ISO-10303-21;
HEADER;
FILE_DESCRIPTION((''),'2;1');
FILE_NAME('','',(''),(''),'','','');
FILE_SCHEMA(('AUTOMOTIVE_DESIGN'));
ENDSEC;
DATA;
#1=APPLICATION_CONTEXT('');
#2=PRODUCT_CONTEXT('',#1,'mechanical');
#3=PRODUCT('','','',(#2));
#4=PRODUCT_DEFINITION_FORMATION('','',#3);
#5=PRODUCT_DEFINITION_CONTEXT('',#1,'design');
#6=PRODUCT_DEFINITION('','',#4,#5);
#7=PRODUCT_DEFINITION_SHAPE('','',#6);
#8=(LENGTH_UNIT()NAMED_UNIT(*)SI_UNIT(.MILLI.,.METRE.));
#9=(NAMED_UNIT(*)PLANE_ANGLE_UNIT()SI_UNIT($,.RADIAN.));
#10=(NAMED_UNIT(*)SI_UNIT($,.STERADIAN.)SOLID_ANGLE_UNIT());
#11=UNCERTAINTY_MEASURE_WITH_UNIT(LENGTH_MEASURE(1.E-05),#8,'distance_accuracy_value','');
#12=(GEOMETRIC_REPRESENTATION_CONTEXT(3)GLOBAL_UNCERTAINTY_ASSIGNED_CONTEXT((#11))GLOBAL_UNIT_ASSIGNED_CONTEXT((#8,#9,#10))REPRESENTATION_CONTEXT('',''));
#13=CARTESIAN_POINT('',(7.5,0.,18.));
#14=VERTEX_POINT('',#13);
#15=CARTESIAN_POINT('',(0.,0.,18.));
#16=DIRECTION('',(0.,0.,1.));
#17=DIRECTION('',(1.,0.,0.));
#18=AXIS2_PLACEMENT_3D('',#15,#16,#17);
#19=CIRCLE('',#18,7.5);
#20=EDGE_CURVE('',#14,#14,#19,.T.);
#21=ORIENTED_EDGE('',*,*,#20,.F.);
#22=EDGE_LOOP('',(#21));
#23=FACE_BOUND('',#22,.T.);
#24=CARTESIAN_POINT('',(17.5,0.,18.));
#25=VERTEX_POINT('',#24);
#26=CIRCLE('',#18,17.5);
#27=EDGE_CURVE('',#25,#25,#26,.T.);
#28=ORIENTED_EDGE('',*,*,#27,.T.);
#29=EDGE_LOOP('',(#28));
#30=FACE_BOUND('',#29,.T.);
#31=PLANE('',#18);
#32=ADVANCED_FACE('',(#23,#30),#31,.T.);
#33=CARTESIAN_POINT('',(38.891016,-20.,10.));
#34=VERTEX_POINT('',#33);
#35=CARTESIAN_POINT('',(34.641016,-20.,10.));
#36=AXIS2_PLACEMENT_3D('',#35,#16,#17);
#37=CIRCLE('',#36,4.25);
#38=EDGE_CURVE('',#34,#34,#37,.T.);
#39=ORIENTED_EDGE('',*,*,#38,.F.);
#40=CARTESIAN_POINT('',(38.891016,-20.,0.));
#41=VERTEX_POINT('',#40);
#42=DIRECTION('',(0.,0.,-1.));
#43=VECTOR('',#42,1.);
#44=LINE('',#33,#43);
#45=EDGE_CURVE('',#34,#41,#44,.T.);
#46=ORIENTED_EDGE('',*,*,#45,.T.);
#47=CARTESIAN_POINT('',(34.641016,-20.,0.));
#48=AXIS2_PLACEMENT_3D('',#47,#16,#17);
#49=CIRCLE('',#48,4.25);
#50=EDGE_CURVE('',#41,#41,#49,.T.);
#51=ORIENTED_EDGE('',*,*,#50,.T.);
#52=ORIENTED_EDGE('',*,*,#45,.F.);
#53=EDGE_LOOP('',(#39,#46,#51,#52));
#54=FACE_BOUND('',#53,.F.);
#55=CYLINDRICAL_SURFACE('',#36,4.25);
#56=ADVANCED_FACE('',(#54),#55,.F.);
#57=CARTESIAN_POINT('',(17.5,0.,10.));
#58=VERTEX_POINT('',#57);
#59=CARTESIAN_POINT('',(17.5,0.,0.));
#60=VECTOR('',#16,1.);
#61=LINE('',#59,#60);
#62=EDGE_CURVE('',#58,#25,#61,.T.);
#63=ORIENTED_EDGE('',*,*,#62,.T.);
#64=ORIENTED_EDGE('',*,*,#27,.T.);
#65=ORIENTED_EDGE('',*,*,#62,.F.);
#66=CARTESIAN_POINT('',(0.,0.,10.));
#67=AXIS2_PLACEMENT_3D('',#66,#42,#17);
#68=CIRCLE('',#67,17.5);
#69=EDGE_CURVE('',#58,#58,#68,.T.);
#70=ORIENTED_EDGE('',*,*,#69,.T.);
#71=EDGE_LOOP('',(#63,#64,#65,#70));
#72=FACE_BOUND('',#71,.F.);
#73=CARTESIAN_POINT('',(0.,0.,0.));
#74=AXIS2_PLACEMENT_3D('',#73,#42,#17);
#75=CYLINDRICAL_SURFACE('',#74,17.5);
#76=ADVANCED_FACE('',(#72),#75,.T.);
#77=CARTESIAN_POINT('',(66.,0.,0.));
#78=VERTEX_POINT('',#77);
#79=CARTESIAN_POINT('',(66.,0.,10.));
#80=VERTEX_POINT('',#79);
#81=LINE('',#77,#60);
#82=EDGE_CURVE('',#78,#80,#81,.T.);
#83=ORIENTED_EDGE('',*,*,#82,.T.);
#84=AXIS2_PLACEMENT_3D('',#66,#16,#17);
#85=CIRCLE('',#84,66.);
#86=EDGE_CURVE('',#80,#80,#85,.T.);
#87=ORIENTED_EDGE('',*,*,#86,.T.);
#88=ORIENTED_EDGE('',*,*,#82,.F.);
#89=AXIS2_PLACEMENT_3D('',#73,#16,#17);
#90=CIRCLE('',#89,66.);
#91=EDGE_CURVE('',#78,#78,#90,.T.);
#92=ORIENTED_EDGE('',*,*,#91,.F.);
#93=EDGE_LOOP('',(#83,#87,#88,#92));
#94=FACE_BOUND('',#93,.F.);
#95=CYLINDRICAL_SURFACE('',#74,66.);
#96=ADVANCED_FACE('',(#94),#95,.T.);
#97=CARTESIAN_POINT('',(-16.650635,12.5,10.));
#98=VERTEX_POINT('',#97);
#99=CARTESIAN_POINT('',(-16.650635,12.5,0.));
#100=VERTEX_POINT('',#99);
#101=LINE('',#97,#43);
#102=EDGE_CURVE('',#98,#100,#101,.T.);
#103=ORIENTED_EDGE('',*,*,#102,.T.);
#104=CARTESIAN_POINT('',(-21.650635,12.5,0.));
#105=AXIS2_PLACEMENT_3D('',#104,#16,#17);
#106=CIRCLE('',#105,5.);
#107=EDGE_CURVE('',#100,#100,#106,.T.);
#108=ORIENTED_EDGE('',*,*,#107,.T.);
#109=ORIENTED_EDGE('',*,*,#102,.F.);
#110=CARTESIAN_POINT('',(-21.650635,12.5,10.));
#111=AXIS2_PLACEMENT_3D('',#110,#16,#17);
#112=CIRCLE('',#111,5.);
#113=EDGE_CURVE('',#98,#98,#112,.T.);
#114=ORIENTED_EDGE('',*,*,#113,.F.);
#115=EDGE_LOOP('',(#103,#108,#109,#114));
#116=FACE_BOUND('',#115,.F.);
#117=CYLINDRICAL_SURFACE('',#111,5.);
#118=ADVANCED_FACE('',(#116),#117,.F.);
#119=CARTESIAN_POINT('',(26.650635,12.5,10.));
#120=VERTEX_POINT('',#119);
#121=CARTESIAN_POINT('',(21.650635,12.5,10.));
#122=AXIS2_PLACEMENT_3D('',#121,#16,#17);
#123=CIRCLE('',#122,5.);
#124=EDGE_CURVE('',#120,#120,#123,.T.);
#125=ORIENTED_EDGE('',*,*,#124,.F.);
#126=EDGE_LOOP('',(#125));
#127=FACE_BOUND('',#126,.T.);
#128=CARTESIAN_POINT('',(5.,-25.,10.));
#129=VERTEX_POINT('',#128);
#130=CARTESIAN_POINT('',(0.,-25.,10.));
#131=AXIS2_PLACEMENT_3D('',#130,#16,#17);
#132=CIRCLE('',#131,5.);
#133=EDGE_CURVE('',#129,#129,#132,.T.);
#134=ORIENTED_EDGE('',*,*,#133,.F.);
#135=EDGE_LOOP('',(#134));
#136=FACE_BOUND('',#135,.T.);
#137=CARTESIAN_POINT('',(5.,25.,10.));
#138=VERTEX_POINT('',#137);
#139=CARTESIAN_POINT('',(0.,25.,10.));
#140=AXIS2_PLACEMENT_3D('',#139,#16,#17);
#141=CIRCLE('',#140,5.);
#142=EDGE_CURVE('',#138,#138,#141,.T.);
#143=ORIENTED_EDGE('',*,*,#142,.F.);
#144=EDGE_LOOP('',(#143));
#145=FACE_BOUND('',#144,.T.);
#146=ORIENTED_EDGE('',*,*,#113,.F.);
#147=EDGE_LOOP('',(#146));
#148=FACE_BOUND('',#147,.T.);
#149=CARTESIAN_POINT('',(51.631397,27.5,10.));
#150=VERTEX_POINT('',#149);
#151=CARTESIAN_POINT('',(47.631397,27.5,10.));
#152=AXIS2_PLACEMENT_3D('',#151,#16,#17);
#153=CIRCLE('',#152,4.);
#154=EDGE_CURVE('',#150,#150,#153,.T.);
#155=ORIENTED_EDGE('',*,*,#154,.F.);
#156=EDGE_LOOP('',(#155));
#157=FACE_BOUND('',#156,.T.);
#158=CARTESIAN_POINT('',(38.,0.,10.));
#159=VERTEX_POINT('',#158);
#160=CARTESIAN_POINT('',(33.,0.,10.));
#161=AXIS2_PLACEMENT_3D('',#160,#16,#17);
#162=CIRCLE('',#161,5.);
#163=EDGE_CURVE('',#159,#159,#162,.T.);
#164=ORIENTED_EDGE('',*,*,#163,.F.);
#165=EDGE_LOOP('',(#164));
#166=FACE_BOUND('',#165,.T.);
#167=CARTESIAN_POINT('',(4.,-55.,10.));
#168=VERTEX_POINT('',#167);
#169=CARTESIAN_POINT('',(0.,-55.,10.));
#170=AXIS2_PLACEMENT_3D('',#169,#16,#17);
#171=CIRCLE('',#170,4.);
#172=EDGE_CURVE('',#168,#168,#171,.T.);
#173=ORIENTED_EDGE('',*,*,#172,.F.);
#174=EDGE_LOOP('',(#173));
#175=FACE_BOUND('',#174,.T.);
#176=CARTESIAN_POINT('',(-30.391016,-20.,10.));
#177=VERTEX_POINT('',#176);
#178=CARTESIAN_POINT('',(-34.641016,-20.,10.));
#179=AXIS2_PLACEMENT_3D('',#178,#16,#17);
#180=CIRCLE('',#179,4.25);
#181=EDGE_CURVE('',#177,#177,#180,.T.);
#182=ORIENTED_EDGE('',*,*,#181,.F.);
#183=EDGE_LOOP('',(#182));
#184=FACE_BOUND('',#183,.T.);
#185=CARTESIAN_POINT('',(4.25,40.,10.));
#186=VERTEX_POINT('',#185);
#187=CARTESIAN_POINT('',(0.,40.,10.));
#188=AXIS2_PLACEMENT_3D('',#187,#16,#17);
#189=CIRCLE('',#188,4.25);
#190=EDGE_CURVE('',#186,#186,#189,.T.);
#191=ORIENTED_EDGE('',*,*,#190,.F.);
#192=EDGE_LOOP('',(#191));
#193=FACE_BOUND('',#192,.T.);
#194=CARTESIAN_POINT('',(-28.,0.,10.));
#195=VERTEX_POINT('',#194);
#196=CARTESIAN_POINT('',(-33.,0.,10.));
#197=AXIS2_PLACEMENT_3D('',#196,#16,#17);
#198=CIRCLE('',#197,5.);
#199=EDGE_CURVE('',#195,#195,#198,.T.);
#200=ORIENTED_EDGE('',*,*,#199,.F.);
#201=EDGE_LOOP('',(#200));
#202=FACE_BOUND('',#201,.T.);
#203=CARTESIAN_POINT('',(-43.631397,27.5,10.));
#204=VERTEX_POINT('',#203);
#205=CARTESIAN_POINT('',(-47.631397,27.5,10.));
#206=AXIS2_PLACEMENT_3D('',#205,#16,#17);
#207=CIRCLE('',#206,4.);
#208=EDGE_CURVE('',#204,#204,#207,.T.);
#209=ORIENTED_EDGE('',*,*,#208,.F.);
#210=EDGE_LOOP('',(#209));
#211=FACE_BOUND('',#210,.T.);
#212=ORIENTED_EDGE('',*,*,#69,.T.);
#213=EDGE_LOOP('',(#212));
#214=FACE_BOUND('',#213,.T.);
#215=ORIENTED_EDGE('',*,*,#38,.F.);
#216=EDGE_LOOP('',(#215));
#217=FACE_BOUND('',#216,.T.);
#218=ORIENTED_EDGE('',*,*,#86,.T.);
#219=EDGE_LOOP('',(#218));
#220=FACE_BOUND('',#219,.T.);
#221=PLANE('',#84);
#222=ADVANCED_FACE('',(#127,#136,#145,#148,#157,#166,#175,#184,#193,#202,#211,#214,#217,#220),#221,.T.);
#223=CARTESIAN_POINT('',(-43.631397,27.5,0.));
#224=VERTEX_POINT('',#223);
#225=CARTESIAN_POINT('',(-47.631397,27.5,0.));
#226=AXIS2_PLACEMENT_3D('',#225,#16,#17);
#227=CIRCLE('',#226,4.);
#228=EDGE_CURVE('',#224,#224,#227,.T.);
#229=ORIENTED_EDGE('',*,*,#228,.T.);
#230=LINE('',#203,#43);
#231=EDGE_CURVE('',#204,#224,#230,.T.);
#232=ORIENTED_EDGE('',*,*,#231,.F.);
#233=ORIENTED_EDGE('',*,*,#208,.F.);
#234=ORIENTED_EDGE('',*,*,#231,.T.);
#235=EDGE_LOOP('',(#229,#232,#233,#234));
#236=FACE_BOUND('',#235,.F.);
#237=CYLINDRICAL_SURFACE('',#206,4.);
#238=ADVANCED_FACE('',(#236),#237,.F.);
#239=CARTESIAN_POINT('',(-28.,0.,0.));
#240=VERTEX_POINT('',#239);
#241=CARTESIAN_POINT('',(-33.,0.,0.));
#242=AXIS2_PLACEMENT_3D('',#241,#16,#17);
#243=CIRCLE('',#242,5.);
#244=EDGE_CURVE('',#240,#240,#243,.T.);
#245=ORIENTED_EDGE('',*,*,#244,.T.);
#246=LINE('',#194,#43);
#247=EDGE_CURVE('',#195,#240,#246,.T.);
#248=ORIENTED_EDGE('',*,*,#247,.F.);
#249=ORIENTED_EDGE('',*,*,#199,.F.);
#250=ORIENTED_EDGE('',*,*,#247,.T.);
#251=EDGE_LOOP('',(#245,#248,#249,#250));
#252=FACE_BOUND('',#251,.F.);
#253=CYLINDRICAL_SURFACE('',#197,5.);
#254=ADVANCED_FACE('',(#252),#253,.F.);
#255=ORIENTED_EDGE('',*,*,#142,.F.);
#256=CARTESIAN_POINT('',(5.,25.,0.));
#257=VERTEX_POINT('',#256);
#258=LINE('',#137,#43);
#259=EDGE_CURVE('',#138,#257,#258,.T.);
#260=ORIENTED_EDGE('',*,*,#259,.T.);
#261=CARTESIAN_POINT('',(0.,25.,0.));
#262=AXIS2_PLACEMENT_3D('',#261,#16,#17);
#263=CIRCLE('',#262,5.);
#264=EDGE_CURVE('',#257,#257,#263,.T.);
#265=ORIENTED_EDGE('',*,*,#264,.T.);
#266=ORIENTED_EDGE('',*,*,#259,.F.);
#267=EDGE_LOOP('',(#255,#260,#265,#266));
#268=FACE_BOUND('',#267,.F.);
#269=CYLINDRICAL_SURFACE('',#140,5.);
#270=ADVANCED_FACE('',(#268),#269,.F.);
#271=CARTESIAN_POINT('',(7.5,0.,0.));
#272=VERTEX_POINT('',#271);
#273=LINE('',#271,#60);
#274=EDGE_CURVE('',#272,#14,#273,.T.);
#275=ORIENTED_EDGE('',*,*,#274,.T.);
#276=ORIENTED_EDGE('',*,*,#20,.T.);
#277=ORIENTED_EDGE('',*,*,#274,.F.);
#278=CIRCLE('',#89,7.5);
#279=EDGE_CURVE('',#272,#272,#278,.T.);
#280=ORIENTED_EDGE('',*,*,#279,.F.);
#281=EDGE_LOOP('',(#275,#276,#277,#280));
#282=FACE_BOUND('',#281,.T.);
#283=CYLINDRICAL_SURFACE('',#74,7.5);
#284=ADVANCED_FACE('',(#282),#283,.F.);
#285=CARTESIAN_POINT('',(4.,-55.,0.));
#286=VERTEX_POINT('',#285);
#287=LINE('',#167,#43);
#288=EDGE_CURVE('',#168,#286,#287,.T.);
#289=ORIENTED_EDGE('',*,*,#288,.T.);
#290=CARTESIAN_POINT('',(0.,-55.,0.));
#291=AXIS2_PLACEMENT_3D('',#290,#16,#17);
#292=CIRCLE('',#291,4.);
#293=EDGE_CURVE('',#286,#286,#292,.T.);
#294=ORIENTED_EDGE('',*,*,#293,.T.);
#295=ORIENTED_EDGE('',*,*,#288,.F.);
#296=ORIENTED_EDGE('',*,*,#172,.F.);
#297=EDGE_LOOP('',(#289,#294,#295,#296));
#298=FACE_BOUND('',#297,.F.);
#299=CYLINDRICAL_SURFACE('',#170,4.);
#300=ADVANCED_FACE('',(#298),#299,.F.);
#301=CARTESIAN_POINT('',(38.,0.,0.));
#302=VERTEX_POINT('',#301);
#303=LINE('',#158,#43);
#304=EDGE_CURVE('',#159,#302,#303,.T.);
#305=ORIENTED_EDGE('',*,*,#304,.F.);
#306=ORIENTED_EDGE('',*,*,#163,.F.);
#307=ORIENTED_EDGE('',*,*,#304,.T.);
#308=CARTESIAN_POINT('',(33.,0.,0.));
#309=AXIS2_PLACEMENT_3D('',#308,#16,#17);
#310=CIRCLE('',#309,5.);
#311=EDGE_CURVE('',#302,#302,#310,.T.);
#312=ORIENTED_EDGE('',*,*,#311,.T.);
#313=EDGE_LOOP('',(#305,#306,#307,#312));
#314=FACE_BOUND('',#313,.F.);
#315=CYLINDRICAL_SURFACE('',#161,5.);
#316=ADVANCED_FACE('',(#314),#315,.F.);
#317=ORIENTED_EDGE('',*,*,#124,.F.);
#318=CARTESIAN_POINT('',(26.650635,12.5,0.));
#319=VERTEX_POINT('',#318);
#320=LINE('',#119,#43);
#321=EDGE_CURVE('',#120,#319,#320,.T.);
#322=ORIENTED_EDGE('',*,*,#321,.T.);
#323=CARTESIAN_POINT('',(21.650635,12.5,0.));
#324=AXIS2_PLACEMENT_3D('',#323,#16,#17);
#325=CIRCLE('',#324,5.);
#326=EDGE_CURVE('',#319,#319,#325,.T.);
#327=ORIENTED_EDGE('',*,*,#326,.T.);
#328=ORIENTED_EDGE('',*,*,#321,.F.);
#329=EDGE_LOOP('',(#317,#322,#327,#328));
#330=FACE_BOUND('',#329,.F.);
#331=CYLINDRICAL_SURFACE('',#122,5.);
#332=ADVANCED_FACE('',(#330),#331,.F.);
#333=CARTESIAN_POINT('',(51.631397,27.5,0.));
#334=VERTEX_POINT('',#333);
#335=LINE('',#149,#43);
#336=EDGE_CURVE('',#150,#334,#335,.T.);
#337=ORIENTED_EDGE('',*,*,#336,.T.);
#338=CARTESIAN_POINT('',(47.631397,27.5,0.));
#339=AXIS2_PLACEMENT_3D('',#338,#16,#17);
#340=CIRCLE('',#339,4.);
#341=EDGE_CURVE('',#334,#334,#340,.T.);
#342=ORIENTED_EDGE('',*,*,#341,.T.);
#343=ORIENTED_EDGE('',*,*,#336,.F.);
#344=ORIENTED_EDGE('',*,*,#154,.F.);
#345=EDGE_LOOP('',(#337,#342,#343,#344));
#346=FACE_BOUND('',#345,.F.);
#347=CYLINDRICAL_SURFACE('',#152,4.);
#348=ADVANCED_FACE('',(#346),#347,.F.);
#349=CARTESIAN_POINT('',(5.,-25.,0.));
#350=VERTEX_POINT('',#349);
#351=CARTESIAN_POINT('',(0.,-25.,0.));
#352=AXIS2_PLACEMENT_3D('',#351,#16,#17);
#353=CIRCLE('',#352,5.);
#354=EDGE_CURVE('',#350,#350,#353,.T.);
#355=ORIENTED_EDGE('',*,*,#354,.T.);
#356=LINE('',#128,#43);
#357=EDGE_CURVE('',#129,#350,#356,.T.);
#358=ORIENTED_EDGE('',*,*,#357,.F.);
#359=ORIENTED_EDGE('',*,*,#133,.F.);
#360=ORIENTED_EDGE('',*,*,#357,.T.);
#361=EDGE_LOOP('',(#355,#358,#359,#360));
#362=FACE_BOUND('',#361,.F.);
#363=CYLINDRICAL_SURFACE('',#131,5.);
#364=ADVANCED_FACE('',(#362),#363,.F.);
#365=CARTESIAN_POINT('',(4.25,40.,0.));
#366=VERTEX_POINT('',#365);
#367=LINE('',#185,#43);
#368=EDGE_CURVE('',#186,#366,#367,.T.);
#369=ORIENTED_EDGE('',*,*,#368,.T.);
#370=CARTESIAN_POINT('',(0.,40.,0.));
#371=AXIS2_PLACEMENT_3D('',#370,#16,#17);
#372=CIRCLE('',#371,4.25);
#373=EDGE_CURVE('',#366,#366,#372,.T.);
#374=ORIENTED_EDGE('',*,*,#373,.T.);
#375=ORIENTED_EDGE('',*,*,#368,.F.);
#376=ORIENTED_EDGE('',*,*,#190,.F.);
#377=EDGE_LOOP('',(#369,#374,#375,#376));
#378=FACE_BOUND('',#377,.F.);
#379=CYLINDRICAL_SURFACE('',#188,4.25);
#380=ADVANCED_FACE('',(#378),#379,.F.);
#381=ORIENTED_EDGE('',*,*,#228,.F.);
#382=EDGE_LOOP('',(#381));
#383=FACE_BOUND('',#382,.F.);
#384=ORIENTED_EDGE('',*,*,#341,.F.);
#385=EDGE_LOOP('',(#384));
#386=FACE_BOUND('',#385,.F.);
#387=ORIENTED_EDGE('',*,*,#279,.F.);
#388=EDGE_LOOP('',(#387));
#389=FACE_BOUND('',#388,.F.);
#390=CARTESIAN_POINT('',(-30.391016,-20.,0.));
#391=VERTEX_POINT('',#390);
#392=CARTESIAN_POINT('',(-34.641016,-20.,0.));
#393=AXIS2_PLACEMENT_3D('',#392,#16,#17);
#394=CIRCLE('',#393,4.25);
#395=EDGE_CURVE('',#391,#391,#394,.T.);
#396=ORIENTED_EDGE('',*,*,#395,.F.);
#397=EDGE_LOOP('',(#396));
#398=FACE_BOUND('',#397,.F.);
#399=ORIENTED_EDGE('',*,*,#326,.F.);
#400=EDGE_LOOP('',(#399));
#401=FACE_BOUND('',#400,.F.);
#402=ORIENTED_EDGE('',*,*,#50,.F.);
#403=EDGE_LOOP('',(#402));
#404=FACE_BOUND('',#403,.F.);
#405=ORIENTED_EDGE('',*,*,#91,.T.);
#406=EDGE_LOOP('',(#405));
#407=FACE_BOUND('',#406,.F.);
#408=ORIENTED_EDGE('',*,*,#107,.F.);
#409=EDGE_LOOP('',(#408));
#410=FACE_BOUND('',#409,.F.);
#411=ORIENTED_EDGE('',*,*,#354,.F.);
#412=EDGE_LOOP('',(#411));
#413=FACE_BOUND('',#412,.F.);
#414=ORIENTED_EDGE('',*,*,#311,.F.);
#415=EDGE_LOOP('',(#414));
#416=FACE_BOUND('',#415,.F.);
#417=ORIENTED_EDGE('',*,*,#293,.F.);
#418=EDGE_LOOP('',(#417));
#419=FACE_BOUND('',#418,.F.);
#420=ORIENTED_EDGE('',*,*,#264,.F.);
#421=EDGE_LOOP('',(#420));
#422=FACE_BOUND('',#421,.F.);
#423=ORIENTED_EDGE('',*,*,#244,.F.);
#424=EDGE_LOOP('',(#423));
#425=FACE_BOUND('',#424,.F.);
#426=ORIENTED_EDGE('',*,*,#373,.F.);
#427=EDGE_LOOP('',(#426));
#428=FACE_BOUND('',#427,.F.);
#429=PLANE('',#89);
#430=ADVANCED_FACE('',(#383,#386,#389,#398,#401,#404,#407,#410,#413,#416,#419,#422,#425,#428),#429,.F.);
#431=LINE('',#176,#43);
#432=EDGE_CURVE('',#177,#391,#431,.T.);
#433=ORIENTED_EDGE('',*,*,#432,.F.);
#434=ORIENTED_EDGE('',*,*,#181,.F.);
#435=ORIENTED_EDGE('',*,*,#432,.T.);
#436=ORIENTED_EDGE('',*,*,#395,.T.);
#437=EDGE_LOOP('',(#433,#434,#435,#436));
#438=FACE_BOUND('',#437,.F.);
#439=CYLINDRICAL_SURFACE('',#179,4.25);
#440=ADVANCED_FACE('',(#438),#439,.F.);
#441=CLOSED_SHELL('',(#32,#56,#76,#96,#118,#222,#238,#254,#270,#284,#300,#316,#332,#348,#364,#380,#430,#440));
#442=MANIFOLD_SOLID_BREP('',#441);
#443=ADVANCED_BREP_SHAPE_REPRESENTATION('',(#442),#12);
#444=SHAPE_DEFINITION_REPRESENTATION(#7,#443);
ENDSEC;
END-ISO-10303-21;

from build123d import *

# Parameters (mm, degrees)
F0_R     = 66
F0_R_2   = 17.5
F0_R_3   = 7.5
F1_DEPTH = 10
F2_DEPTH = 18
F3_R     = 5
F3_R_2   = 4.25
F3_R_3   = 4
F4_DEPTH = 10


with BuildPart() as f1:
    # F0 (on Top) → F1 (new body)
    with BuildSketch(Plane.XY):
        Circle(F0_R)
        Circle(F0_R_2, mode=Mode.SUBTRACT)
        Circle(F0_R_2)
        Circle(F0_R_3, mode=Mode.SUBTRACT)
    extrude(amount=F1_DEPTH)

    # F0 (on Top) → F2 (join)
    with BuildSketch(Plane.XY):
        Circle(F0_R_2)
        Circle(F0_R_3, mode=Mode.SUBTRACT)
    extrude(amount=F2_DEPTH)

    # F3 (on face) → F4 (cut, through all)
    with BuildSketch(Plane.XY.offset(10)):
        with Locations((0, -25)):
            Circle(F3_R)
        with Locations((21.650635, 12.5)):
            Circle(F3_R)
        with Locations((0, 25)):
            Circle(F3_R)
        with Locations((-21.650635, 12.5)):
            Circle(F3_R)
        with Locations((-33, 0)):
            Circle(F3_R)
        with Locations((33, 0)):
            Circle(F3_R)
        with Locations((-34.641016, -20)):
            Circle(F3_R_2)
        with Locations((0, 40)):
            Circle(F3_R_2)
        with Locations((34.641016, -20)):
            Circle(F3_R_2)
        with Locations((0, -55)):
            Circle(F3_R_3)
        with Locations((-47.631397, 27.5)):
            Circle(F3_R_3)
        with Locations((47.631397, 27.5)):
            Circle(F3_R_3)
    extrude(amount=-F4_DEPTH, mode=Mode.SUBTRACT)


solid = f1.part
